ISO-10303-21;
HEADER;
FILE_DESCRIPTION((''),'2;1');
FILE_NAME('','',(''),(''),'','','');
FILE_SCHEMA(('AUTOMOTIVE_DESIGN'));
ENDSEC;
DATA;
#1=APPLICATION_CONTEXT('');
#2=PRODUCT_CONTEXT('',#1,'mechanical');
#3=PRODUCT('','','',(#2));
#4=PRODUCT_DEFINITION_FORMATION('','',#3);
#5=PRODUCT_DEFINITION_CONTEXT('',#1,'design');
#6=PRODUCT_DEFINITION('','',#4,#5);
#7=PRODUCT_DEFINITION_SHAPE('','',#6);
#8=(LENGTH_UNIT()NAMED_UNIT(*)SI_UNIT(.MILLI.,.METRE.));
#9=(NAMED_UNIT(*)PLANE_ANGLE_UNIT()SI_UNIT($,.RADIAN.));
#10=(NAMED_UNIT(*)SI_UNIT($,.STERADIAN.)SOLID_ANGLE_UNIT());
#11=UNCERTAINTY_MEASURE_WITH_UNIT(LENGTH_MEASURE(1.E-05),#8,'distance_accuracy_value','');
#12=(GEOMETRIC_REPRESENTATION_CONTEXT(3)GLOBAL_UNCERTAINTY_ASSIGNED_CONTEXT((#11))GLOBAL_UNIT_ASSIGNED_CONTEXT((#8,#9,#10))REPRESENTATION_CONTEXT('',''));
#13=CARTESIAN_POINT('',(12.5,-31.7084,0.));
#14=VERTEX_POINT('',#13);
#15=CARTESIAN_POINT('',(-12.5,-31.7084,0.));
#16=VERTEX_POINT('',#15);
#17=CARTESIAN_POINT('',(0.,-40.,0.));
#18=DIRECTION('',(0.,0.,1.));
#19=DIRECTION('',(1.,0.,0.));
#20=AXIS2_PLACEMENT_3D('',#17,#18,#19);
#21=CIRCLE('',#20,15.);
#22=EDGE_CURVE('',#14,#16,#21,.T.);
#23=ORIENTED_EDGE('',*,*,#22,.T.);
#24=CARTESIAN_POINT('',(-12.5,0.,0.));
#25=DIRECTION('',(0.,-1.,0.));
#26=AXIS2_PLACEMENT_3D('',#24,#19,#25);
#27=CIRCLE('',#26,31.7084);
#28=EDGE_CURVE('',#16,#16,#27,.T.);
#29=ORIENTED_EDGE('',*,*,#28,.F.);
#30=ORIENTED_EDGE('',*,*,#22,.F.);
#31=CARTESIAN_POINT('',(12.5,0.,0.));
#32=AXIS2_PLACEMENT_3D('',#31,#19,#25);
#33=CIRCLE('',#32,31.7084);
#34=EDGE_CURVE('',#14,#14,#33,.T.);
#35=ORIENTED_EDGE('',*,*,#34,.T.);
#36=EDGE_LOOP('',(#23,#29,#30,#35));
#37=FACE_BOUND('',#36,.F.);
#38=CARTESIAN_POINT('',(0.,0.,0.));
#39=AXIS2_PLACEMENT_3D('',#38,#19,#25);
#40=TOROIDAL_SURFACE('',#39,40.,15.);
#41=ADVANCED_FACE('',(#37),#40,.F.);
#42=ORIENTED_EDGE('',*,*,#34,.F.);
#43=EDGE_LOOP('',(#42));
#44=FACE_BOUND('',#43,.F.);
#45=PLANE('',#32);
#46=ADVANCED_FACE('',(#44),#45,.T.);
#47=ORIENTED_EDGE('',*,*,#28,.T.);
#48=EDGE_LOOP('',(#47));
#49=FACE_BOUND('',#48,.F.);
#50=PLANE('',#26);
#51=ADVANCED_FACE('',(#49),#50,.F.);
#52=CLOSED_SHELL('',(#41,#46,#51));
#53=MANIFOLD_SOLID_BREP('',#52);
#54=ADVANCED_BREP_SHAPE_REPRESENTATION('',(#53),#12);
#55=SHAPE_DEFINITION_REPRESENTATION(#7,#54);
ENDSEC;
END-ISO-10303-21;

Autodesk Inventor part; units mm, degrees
ref_plane "YZ Plane" through (0, 0, 0) normal (1, 0, 0) x (0, 1, 0)
ref_plane "XZ Plane" through (0, 0, 0) normal (0, 1, 0) x (-1, 0, 0)
ref_plane "XY Plane" through (0, 0, 0) normal (0, 0, 1) x (1, 0, 0)
sketch "Sketch2" plane through (0, 0, 0) normal (0, 0, 1) x (1, 0, 0)
  line L0 (-12.5, 0) -> (12.5, 0)
  line L1 (12.5, 0) -> (12.5, -31.7084)
  line L2 (12.5, -31.7084) -> (-12.5, -31.7084)
  line L3 (-12.5, -31.7084) -> (-12.5, 0)
  circle A0 centre (0, -40) radius 15
  point P0 (0, 0)
  point P1 (0, 0)
  dimension "d4" = 25
  dimension "d5" = 30
  dimension "d8" = 40
revolve "Revolution2" add sketch "Sketch2" angle 360 about axis through (-12.5, 0, 0) along (1, 0, 0) contours L0 L1 A0 L3
properties part number "X_Wheel-Rod-Rev1"
